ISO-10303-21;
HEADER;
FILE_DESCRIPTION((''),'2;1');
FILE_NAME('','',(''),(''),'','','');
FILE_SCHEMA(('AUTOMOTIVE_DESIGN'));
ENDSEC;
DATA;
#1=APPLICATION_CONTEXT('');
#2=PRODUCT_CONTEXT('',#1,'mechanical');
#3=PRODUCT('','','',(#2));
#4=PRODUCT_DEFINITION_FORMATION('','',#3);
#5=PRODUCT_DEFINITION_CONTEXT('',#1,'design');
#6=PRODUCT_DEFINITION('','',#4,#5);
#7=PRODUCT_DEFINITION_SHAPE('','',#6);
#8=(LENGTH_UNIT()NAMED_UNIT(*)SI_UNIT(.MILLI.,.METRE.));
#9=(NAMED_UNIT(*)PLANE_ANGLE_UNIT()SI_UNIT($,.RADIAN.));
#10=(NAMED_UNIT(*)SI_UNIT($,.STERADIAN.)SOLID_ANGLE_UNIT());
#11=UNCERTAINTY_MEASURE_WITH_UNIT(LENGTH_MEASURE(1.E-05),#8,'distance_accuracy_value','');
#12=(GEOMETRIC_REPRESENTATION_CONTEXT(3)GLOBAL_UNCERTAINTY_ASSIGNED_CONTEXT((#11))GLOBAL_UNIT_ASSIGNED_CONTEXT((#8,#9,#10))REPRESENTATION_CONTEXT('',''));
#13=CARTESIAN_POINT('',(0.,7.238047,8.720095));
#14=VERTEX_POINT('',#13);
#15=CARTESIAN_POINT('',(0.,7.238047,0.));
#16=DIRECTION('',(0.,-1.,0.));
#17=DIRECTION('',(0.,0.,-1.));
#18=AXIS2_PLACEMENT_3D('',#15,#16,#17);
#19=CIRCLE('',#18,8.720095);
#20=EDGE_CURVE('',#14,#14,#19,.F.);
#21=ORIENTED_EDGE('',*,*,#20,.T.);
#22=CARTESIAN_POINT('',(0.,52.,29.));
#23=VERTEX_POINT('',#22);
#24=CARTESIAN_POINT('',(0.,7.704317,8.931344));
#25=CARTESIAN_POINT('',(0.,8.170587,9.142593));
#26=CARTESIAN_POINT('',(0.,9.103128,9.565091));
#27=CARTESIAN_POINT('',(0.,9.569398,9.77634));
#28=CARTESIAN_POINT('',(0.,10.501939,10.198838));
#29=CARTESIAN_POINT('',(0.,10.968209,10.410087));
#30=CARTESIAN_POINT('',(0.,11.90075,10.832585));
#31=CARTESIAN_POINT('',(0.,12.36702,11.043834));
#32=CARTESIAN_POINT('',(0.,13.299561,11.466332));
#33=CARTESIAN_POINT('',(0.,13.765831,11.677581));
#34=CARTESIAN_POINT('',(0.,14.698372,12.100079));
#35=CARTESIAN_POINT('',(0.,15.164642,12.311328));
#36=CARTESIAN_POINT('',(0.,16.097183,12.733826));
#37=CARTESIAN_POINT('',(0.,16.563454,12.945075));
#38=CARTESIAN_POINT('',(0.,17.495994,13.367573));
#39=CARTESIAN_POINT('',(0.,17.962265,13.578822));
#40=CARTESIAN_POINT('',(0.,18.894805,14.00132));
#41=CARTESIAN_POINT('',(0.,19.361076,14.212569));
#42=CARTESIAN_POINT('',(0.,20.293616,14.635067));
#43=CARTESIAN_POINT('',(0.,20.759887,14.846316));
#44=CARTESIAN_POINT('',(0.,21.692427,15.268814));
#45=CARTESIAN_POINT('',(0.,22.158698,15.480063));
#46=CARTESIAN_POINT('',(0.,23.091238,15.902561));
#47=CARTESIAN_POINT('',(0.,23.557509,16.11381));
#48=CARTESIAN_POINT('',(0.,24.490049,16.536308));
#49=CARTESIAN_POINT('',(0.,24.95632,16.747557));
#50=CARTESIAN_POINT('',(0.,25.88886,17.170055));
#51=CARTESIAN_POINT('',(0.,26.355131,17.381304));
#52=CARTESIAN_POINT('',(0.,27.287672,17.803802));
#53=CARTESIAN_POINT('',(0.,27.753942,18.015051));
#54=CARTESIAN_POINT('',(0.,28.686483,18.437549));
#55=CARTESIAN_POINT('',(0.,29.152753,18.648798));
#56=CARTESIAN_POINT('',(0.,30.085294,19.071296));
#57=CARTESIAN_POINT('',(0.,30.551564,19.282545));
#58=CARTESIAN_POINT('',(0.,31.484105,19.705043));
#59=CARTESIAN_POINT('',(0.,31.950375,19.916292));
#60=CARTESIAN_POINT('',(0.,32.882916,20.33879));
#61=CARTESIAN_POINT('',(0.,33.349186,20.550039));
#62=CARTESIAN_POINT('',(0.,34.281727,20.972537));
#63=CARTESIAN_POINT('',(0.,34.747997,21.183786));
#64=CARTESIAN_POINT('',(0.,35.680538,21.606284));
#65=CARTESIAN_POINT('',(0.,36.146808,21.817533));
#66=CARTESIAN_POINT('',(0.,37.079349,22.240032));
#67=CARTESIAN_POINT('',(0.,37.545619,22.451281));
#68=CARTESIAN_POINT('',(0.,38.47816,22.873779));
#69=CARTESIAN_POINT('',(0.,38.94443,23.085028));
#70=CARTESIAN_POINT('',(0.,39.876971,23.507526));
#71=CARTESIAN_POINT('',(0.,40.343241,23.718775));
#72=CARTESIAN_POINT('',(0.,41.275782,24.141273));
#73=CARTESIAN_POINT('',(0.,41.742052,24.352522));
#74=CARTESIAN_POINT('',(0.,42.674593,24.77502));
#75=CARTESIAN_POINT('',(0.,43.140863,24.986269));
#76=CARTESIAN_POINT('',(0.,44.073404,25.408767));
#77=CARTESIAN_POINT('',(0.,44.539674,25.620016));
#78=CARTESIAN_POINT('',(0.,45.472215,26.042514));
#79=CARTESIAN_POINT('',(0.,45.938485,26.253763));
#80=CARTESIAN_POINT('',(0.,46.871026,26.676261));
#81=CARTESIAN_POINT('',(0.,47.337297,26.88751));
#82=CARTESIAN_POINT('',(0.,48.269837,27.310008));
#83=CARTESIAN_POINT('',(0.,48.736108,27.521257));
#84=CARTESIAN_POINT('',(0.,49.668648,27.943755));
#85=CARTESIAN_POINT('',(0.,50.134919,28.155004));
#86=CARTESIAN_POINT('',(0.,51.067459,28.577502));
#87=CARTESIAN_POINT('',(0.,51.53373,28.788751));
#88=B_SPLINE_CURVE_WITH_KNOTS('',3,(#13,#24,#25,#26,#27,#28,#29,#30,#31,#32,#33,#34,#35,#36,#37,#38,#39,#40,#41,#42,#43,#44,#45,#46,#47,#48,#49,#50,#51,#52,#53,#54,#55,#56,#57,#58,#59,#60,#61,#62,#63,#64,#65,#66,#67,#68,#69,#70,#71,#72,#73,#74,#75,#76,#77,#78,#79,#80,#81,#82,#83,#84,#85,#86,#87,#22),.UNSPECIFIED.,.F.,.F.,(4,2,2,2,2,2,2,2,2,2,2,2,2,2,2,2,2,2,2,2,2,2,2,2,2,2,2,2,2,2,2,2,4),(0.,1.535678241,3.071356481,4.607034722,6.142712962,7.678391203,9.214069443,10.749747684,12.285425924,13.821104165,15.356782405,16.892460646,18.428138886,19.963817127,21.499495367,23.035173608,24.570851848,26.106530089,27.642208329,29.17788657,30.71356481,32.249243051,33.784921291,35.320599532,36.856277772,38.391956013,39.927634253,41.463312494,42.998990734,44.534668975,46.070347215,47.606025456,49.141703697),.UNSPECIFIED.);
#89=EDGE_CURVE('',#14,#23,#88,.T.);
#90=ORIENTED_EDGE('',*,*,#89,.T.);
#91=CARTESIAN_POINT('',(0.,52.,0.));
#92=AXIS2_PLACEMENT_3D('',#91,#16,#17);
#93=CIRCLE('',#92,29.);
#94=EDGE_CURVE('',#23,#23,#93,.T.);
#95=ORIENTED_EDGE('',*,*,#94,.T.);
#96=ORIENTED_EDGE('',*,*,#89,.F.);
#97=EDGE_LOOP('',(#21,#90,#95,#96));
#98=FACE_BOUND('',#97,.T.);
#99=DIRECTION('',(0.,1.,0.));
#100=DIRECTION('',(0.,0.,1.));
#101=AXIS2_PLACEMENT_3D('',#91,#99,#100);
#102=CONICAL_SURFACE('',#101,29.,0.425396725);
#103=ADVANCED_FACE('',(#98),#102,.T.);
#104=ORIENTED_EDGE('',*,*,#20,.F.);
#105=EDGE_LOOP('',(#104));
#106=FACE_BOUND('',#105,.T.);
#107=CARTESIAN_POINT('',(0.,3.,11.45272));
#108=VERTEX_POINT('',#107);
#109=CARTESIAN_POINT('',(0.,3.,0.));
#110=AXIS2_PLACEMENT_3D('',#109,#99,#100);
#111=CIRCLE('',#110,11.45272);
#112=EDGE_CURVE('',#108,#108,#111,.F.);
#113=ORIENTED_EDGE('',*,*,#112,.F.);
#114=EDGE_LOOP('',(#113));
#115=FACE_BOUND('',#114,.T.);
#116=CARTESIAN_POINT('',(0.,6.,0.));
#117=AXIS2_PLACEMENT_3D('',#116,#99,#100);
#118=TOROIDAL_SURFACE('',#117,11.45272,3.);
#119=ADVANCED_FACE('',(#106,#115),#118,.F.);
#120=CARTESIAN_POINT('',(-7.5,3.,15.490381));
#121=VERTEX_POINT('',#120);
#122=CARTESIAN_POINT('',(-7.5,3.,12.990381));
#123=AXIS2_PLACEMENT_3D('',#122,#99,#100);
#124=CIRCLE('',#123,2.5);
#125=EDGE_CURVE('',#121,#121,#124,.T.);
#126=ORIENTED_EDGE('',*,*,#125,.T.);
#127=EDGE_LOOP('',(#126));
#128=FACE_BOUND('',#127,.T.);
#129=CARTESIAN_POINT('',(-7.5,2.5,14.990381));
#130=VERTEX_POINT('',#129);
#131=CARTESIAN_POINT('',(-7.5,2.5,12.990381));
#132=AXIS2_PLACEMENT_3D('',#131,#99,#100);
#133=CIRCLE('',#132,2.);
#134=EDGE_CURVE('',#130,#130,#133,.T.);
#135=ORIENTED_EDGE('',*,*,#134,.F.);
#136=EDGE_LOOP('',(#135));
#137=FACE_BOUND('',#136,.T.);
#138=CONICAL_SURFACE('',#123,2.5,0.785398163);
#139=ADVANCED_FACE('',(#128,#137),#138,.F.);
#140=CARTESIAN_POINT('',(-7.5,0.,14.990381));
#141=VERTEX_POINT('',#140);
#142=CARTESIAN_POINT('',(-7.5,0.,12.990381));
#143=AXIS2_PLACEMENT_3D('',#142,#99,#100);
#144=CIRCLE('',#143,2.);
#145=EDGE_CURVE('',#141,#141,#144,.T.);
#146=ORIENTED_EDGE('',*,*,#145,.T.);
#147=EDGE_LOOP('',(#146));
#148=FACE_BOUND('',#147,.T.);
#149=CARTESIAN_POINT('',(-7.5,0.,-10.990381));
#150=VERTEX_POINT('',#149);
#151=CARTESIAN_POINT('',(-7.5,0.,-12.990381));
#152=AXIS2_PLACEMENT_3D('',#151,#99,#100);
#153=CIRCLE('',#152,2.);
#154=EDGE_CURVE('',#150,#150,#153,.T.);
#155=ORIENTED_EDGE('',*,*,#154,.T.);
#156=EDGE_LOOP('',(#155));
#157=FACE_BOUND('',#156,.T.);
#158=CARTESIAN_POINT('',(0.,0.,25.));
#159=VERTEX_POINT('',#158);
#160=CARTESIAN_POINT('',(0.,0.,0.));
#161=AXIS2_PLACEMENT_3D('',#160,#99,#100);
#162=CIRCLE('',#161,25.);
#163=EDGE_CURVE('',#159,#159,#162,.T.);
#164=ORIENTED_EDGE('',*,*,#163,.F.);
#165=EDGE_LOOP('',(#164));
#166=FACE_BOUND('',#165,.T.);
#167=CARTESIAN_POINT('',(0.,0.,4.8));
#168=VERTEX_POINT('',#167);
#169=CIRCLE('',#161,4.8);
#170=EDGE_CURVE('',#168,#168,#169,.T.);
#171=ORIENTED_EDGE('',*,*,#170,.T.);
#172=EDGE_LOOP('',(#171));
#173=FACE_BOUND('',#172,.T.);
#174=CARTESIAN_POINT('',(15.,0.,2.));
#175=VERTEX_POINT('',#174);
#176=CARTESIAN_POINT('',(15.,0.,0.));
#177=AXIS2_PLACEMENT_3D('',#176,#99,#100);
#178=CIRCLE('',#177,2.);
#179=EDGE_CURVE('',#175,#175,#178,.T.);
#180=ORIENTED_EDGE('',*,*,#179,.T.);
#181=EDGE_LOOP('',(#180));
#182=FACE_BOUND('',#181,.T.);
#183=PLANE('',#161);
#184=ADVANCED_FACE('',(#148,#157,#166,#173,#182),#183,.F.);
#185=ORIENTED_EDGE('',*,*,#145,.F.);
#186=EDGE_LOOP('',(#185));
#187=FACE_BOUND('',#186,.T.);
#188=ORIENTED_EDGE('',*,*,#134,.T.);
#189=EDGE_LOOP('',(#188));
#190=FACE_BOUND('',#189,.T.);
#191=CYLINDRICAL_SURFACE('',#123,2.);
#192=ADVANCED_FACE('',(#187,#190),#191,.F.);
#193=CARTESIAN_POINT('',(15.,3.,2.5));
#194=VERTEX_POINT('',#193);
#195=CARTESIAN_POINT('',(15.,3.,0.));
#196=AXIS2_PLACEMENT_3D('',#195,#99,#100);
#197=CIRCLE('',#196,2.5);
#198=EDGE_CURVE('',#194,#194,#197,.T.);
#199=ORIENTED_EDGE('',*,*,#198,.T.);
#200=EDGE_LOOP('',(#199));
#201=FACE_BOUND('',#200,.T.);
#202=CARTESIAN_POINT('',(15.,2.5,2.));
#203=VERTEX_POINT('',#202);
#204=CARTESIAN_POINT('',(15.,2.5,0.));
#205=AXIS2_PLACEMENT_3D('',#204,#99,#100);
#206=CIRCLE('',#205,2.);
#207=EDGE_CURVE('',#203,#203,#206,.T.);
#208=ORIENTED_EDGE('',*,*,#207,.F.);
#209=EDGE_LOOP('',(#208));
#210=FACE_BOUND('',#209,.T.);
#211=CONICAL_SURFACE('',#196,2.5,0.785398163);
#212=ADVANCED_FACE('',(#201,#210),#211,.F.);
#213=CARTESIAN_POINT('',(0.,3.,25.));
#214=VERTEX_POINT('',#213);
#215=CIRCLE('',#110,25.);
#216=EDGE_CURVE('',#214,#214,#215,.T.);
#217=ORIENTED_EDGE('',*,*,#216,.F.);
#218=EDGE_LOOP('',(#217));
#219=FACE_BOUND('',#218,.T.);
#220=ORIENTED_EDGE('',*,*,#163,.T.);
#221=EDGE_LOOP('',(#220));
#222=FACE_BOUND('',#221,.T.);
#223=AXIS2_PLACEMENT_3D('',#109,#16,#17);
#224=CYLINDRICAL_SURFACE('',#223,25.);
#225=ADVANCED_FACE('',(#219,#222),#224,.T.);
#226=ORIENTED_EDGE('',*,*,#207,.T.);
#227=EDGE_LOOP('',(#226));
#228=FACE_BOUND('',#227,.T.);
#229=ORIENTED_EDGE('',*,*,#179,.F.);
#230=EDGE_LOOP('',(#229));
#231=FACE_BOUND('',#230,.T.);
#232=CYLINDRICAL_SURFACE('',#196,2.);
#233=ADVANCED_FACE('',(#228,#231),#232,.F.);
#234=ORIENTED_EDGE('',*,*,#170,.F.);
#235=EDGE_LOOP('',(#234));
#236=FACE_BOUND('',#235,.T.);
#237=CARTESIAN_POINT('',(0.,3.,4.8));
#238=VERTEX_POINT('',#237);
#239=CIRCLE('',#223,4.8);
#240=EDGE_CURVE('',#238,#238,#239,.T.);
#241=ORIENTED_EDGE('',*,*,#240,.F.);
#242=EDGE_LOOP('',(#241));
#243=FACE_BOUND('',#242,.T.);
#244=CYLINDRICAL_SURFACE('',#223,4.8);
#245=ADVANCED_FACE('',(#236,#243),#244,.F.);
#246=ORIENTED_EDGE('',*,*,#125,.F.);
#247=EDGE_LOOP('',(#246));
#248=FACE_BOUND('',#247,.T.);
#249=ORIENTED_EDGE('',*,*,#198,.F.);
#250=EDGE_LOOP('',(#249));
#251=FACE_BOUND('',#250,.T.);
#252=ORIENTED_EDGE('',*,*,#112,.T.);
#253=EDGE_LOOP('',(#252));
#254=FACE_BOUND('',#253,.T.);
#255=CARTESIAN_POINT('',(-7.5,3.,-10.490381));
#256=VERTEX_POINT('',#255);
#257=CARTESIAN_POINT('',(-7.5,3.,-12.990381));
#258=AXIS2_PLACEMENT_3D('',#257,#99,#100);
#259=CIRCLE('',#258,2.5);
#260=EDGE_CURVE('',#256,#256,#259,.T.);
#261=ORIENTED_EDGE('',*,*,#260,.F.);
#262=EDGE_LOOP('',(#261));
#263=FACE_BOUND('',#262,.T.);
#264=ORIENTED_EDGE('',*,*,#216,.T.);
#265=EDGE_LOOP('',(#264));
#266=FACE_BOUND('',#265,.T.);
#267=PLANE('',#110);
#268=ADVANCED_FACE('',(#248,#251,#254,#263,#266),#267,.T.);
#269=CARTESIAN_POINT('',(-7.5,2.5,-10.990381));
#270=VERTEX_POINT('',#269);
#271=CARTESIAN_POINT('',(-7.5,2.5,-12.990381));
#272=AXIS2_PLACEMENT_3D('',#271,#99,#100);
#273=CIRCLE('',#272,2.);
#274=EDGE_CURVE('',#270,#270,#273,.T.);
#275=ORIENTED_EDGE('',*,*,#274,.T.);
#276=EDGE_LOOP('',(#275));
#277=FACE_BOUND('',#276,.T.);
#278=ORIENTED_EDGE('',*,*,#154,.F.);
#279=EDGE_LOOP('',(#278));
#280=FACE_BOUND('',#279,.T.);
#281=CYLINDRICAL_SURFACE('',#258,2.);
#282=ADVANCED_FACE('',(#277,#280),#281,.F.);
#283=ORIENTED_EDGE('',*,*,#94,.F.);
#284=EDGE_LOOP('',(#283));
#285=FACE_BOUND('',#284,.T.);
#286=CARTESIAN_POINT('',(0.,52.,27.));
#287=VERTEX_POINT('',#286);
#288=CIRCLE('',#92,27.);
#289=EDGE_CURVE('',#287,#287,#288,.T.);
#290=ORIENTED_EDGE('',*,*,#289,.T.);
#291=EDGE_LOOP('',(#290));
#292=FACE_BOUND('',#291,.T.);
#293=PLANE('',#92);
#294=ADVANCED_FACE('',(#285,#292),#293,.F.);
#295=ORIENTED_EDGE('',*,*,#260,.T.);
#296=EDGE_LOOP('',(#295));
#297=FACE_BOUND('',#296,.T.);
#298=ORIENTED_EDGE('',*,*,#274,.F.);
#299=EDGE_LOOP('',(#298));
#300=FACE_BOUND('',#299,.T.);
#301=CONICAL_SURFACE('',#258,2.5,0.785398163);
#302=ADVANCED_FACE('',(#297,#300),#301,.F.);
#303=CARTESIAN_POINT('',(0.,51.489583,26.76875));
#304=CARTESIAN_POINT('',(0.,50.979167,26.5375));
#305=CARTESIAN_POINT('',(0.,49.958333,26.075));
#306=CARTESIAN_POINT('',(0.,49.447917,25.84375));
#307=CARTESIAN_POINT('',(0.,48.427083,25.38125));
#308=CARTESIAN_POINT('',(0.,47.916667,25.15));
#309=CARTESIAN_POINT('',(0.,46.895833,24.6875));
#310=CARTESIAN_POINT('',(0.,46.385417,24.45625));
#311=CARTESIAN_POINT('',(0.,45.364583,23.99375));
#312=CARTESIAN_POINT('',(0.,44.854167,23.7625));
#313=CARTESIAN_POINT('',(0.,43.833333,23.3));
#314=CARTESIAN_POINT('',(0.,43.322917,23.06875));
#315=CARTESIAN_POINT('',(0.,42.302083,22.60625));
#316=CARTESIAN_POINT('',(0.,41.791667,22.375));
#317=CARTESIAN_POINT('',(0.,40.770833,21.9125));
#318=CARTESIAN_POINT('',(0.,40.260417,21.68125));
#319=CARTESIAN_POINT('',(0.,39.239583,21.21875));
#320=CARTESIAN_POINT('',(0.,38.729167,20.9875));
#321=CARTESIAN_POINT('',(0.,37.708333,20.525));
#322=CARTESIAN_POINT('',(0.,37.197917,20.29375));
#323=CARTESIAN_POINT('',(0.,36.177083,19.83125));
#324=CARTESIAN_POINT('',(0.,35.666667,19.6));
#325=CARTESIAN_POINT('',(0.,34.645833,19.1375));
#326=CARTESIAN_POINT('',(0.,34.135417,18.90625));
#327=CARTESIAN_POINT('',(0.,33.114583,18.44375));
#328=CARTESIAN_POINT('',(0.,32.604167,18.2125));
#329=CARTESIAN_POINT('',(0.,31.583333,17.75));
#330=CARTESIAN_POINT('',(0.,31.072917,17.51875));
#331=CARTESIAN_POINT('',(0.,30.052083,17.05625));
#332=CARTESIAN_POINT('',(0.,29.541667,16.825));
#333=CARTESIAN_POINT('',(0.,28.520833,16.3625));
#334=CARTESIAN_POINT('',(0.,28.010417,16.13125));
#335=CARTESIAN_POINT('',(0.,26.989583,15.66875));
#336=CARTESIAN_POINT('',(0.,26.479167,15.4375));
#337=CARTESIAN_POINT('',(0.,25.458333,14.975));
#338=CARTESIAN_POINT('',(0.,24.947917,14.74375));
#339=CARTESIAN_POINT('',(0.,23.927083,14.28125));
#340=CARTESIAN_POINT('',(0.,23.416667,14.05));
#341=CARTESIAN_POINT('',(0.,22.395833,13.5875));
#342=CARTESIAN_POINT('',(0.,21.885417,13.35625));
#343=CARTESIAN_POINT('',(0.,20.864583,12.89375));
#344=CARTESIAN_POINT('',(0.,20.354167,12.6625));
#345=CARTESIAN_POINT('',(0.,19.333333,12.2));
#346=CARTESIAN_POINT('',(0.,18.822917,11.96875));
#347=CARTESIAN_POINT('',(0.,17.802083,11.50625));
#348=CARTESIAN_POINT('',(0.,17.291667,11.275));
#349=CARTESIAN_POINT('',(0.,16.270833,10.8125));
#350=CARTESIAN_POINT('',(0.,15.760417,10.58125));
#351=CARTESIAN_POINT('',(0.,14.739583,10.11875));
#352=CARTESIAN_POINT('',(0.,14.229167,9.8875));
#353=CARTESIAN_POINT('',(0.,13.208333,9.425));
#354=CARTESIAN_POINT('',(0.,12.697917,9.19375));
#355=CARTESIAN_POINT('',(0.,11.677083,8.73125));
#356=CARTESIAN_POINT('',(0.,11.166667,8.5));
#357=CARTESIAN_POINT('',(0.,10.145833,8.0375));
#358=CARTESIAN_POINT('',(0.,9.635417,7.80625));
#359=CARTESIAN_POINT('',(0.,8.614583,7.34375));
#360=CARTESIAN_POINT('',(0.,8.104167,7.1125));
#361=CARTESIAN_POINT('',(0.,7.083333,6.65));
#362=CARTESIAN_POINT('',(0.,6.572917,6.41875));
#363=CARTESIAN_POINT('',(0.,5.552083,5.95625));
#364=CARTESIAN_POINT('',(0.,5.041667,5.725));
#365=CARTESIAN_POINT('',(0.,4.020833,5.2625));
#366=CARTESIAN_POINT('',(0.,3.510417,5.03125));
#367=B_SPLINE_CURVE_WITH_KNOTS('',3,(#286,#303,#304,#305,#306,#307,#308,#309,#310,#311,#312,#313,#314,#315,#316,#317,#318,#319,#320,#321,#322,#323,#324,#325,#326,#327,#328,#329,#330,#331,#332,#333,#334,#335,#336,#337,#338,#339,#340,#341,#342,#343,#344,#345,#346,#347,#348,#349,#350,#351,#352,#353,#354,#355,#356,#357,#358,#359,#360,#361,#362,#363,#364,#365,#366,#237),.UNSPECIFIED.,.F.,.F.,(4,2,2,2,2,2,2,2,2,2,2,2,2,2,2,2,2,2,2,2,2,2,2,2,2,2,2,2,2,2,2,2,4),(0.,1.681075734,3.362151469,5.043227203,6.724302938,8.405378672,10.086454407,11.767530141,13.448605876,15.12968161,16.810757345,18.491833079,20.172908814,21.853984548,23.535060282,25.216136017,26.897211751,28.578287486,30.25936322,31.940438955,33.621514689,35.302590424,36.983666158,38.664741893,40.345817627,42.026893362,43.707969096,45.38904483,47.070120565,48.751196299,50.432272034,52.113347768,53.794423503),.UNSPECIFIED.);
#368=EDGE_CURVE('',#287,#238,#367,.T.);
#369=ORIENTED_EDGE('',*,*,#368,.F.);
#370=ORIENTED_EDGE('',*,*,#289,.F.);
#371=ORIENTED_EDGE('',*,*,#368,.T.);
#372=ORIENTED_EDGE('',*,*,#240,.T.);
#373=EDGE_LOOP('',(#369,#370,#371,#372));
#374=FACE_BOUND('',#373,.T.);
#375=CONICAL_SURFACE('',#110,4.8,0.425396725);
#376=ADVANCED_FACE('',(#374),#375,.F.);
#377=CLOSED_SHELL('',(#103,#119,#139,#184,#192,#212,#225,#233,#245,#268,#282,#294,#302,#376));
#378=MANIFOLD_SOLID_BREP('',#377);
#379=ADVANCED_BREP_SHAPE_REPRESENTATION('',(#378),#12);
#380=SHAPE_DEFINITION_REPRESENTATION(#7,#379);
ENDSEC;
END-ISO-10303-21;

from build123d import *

# Parameters (mm, degrees)
SKETCH1_R                          = 25
SKETCH1_R_2                        = 4.8
BOSS_EXTRUDE1_DEPTH                = 3
F_4_0_4_DIAMETER_HOLE1_D           = 4
F_4_0_4_DIAMETER_HOLE1_CSINK_D     = 5
F_4_0_4_DIAMETER_HOLE1_CSINK_ANGLE = 90
FILLET2_R                          = 3


with BuildPart() as part:
    # Sketch1 → Boss-Extrude1 (new body)
    with BuildSketch(Plane(origin=(0, 0, 0), x_dir=(1, 0, 0), z_dir=(0, 1, 0))):
        with Locations(Location((0, 0, 0), (0, 0, 270))):
            Circle(SKETCH1_R)
        with Locations(Location((0, 0, 0), (0, 0, 270))):
            Circle(SKETCH1_R_2, mode=Mode.SUBTRACT)
    extrude(amount=BOSS_EXTRUDE1_DEPTH)

    # Ø4.0 (4) Diameter Hole1 (through all)
    with Locations(Plane(origin=(0, 3, 0), x_dir=(1, 0, 0), z_dir=(0, 1, 0))):
        with Locations((-7.5, 12.990381057), (15, 0), (-7.5, -12.990381057)):
            CounterSinkHole(F_4_0_4_DIAMETER_HOLE1_D / 2, F_4_0_4_DIAMETER_HOLE1_CSINK_D / 2, counter_sink_angle=F_4_0_4_DIAMETER_HOLE1_CSINK_ANGLE)

    # Sketch8 → Revolve1 (revolve)
    with BuildSketch(Plane.XY, mode=Mode.PRIVATE) as revolve1_sk:
        Polygon((27, 52), (29, 52), (6.8, 3), (4.8, 3), align=None)
    revolve(revolve1_sk.sketch.rotate(Axis((0, 0, 0), (0, 1, 0)), 270), axis=Axis((0, 0, 0), (0, 1, 0)))

    # Fillet2
    fillet2_edges = [part.edges().sort_by_distance(p)[0] for p in [
        (0, 3, -6.8),
    ]]
    fillet(fillet2_edges, radius=FILLET2_R)


solid = part.part
